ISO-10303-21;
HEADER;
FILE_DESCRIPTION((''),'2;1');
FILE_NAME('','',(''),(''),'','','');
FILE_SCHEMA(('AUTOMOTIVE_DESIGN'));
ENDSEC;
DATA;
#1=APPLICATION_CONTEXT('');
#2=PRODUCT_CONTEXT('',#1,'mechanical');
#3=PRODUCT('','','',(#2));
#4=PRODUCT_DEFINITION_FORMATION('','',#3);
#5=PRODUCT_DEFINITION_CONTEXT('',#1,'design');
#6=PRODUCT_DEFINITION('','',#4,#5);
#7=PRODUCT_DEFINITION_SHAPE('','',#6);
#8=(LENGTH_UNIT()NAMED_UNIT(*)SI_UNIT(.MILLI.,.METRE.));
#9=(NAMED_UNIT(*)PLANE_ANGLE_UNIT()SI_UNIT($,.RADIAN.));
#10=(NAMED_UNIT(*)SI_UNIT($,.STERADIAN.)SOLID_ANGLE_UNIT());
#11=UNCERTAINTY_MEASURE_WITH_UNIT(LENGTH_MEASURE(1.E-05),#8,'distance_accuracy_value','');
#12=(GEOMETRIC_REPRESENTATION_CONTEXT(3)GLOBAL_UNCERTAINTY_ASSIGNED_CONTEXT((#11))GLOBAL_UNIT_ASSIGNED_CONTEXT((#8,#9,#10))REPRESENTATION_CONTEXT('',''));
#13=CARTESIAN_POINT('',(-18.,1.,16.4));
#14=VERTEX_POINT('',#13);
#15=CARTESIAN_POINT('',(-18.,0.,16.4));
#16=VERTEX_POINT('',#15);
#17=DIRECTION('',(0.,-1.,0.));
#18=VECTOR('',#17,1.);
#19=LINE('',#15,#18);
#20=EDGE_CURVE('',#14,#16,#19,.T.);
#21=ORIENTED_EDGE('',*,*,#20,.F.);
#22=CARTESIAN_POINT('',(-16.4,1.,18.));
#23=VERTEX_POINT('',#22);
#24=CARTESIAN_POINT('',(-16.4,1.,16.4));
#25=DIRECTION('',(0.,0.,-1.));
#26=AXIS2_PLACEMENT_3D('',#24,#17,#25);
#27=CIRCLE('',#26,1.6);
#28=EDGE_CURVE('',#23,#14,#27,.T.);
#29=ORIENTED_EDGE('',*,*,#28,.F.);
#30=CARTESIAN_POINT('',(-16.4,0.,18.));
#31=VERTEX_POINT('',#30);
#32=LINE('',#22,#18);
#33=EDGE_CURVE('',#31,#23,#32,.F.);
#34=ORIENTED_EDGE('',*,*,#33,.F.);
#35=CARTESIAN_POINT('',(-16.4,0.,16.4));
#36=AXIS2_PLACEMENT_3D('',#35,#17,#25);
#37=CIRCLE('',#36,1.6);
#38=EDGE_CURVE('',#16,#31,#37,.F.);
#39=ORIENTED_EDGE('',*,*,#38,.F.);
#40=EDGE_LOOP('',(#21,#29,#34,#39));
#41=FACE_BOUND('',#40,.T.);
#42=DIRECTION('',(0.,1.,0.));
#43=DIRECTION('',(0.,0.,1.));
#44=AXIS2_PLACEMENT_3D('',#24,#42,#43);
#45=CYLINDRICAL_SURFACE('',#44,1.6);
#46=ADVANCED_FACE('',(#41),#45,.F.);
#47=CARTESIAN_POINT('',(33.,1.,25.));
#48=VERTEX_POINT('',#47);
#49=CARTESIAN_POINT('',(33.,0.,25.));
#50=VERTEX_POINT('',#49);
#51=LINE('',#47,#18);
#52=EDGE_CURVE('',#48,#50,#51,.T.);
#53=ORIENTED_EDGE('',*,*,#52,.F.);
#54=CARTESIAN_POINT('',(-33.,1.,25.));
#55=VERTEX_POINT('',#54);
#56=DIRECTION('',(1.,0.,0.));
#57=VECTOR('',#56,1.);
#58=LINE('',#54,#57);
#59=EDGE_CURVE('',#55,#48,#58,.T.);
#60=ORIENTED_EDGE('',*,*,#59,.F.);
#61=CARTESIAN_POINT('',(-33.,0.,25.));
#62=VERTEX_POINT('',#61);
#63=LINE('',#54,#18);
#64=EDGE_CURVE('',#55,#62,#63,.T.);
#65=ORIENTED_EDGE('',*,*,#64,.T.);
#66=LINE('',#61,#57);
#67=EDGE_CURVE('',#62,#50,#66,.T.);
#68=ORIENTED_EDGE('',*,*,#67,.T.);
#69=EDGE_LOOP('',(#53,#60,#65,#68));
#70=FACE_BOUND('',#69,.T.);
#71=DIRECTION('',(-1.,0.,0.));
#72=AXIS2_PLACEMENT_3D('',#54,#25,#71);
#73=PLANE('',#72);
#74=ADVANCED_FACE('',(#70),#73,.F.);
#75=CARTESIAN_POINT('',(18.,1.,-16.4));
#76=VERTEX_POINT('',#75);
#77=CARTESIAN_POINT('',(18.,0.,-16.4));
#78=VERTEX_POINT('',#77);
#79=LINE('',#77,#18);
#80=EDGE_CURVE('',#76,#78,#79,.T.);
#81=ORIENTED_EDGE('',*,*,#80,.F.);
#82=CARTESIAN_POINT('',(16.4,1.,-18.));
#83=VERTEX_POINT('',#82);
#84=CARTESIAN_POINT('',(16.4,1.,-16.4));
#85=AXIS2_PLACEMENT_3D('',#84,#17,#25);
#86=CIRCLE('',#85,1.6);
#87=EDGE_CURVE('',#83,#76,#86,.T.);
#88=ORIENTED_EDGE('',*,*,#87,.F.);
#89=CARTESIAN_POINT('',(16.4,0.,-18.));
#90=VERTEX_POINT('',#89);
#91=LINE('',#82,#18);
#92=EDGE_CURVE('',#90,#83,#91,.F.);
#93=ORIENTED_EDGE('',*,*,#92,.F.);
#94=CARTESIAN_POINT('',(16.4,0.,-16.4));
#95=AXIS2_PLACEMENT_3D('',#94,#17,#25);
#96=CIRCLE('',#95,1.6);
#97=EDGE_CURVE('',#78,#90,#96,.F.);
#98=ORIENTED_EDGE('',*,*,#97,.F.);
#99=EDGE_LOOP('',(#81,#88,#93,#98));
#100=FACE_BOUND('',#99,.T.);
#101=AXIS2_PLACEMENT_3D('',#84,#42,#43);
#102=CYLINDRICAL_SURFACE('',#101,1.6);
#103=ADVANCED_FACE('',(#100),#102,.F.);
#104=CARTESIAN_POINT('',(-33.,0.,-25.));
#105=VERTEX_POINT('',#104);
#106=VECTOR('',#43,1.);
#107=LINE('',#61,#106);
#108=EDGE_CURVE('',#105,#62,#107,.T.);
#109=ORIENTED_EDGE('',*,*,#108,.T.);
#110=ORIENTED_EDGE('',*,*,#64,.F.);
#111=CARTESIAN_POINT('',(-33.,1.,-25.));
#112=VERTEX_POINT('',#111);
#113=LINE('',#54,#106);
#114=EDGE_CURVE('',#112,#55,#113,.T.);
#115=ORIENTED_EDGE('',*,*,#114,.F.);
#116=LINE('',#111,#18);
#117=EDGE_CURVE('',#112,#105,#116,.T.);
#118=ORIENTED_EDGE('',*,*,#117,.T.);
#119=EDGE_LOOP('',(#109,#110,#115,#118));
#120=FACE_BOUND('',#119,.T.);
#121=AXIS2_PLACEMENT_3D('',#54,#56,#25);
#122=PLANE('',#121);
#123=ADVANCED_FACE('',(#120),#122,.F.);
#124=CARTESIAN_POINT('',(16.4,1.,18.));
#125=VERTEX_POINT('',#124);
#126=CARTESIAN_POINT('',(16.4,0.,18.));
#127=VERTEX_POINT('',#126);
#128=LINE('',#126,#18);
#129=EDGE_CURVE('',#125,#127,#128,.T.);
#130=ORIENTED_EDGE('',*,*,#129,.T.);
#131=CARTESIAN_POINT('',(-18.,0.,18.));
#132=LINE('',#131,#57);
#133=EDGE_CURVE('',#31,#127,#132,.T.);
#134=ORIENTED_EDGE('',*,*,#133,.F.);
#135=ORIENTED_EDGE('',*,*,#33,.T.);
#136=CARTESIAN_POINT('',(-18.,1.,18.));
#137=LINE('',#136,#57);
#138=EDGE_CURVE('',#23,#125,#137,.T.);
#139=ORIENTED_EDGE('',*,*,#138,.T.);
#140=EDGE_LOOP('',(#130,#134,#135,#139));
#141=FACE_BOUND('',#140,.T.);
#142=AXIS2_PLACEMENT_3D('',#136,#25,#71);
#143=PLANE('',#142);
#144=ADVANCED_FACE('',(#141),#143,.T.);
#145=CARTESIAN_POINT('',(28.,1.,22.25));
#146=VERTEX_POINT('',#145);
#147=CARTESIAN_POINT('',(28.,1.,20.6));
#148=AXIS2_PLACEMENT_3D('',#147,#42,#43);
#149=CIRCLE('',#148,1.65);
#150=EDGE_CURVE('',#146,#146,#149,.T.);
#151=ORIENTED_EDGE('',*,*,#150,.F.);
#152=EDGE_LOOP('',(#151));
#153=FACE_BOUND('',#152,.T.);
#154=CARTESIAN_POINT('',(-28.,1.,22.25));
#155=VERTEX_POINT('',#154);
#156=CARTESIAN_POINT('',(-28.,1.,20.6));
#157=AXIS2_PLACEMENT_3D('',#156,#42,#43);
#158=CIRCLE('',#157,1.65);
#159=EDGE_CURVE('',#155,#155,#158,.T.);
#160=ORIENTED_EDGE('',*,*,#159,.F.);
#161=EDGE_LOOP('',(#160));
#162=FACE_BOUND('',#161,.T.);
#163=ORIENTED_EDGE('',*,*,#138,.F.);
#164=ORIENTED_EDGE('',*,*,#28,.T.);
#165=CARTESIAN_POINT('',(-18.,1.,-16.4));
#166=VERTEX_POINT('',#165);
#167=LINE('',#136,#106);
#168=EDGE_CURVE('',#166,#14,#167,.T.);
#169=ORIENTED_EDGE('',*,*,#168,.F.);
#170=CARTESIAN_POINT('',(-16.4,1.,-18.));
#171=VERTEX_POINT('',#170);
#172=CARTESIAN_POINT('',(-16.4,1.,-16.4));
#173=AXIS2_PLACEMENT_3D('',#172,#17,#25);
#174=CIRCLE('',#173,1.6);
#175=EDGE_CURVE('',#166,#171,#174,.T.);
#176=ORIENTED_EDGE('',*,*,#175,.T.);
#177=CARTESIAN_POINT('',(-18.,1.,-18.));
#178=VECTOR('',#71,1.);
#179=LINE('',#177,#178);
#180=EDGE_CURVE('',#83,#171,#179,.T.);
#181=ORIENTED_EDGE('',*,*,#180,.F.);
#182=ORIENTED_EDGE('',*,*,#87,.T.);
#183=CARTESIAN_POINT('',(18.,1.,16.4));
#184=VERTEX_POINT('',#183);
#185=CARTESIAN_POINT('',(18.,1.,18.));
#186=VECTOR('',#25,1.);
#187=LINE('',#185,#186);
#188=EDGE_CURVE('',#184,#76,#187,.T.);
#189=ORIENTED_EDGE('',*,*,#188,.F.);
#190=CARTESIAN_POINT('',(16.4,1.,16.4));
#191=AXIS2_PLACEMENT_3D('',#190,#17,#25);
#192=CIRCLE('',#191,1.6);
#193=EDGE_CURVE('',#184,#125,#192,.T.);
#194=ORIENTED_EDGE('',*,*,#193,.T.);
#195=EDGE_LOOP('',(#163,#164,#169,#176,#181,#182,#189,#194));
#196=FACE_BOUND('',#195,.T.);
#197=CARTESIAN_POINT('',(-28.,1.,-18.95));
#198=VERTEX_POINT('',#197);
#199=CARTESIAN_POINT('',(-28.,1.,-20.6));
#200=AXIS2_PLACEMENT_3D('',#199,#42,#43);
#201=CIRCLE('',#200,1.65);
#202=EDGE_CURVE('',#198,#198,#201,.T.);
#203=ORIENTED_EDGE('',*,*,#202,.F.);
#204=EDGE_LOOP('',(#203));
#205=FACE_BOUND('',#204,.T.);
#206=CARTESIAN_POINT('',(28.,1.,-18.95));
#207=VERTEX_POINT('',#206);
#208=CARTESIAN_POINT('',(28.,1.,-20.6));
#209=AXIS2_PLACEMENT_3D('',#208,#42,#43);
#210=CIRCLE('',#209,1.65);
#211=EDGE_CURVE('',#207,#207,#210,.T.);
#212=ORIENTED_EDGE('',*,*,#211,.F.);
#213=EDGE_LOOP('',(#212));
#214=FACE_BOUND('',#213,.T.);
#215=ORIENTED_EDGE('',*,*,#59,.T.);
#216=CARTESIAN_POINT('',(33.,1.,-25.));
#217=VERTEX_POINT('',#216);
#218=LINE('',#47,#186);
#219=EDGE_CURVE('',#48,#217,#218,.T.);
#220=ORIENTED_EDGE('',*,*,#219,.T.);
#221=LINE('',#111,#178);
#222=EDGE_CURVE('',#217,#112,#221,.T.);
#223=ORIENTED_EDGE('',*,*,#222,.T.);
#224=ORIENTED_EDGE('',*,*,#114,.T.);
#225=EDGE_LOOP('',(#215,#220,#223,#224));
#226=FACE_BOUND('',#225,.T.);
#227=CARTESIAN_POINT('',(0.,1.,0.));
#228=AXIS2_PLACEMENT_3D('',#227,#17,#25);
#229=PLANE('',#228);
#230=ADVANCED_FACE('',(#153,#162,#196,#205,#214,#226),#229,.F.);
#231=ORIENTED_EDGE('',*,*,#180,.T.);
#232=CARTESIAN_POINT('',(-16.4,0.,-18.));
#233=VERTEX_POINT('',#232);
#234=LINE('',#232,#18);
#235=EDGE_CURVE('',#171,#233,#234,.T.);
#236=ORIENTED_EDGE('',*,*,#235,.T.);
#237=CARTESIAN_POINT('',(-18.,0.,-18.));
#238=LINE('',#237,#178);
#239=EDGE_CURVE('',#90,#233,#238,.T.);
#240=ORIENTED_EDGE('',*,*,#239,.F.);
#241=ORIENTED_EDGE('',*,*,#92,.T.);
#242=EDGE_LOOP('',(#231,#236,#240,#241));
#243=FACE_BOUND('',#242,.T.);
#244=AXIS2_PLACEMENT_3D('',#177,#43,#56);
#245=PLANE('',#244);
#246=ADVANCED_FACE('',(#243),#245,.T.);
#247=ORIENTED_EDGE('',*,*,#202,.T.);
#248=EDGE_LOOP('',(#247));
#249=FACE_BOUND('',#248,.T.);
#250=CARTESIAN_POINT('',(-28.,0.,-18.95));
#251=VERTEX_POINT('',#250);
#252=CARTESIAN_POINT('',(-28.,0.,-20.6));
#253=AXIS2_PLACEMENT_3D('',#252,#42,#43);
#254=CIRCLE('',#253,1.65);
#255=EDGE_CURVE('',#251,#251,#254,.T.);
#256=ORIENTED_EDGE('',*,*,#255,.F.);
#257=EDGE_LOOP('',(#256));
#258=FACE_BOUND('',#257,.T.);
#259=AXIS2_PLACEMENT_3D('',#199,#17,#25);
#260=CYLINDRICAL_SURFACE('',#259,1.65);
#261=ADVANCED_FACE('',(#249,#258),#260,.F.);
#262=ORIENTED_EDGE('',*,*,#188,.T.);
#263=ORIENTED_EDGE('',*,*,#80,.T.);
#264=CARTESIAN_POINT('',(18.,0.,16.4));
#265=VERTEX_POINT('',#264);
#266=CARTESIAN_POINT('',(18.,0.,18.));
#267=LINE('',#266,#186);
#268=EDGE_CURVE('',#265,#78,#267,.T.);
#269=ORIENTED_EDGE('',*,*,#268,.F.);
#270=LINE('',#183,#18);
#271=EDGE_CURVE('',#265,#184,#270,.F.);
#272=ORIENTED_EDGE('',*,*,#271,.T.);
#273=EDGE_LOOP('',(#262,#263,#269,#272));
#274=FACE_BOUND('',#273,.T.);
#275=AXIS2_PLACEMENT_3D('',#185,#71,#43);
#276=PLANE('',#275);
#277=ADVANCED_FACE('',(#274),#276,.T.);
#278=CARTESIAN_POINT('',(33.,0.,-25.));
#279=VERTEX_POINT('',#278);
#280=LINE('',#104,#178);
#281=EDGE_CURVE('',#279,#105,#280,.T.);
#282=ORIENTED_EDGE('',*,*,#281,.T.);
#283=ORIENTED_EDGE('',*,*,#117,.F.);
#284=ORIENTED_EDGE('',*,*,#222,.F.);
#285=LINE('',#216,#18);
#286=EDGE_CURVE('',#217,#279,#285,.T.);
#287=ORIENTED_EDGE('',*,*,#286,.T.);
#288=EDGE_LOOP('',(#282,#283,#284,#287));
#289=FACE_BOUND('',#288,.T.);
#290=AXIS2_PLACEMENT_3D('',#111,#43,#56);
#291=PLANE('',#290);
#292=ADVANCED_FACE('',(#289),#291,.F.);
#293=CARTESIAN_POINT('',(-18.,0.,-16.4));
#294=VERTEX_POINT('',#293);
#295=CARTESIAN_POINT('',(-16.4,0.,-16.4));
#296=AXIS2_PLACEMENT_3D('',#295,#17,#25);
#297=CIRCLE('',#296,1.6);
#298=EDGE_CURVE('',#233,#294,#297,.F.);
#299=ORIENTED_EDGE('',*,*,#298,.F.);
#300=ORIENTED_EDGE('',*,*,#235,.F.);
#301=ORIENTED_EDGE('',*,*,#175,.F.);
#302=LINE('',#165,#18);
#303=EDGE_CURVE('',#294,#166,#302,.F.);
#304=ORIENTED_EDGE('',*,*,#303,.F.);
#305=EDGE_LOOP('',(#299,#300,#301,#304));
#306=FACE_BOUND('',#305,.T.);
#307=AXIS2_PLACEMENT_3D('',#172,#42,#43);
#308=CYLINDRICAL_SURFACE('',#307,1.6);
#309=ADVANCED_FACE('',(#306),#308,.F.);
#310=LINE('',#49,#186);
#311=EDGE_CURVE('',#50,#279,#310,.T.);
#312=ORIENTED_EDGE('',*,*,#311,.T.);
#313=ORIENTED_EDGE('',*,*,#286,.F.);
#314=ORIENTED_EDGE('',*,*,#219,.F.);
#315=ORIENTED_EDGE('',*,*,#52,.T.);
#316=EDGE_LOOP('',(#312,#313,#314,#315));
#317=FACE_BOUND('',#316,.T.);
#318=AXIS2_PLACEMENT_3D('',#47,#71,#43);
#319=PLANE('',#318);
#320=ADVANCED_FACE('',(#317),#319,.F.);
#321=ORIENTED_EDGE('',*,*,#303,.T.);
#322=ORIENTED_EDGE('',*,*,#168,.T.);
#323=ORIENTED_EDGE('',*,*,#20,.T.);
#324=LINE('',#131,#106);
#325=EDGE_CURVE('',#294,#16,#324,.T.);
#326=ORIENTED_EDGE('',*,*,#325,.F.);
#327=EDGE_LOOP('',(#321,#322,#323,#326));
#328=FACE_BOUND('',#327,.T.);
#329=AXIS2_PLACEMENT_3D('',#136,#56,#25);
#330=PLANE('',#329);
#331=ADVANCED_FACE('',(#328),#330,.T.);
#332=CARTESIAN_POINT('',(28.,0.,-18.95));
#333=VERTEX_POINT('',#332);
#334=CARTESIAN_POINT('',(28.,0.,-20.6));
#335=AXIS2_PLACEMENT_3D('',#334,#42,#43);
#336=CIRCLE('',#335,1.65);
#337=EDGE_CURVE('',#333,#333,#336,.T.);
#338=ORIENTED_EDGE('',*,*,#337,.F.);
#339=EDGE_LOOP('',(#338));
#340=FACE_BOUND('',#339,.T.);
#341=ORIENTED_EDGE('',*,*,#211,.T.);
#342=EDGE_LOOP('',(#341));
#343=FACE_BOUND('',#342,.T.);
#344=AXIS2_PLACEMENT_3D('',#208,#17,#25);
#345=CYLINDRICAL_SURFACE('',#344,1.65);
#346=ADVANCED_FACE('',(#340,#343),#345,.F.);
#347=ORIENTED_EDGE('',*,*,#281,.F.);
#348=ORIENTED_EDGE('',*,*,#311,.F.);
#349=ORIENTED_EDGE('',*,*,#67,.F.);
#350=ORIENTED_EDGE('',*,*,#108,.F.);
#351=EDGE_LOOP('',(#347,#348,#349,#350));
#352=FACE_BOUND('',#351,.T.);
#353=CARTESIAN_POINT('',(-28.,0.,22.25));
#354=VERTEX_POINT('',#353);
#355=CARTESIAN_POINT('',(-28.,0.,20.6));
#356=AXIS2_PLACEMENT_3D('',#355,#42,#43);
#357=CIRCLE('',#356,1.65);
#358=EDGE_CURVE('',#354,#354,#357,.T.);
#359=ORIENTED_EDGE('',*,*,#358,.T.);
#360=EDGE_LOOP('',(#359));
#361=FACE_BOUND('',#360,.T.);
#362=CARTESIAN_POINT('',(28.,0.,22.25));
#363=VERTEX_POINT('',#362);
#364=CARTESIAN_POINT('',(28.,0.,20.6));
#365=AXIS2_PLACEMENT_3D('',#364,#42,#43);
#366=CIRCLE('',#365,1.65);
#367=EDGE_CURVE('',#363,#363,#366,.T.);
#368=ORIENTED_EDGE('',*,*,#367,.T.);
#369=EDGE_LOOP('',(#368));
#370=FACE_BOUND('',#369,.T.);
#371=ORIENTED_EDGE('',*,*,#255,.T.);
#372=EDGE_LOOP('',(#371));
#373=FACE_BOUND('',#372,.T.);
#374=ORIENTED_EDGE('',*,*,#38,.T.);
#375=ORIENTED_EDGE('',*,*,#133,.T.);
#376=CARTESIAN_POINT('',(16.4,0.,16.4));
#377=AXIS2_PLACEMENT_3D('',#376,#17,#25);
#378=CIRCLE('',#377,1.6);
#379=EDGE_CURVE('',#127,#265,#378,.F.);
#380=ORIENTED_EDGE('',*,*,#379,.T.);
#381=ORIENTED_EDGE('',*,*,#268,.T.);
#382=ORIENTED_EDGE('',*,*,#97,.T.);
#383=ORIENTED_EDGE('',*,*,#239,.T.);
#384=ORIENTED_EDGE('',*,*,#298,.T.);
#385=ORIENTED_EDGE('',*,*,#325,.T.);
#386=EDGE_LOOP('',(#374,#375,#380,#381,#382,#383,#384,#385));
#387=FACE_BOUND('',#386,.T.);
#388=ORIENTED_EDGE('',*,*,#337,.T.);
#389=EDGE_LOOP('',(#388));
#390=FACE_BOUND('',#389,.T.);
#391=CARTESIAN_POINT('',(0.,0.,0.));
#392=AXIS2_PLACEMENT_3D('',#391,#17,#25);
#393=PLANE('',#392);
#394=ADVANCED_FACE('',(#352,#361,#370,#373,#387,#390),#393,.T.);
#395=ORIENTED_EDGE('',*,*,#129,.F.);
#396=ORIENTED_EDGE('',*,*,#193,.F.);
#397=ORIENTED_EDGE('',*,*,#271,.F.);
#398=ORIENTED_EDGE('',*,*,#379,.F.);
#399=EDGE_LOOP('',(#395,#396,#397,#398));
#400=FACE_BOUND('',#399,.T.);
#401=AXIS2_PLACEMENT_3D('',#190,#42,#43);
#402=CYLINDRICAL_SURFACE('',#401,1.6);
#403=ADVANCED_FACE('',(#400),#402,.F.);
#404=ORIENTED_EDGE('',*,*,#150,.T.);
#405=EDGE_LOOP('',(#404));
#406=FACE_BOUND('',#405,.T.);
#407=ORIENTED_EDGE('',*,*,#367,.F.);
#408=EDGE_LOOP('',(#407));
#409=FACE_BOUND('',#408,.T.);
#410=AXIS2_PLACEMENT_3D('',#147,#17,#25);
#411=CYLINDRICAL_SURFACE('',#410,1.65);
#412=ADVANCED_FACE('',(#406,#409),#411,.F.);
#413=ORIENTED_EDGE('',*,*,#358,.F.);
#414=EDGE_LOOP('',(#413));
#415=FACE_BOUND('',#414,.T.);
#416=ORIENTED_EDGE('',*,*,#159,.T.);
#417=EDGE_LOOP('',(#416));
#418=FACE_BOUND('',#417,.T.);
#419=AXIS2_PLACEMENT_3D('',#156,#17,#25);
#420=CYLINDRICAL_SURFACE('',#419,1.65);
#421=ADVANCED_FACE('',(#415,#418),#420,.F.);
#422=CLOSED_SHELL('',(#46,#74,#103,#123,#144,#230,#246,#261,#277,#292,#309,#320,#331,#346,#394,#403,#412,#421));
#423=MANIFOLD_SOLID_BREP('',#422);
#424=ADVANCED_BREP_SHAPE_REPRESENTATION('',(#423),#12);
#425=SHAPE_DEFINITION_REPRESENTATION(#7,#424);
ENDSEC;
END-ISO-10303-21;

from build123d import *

# Parameters (mm, degrees)
SKETCH1_W           = 66
SKETCH1_H           = 50
SKETCH1_R           = 1.65
SKETCH1_W_2         = 36
SKETCH1_H_2         = 36
BOSS_EXTRUDE1_DEPTH = 1
FILLET1_R           = 1.6


with BuildPart() as part:
    # Sketch1 → Boss-Extrude1 (new body)
    with BuildSketch(Plane(origin=(0, 0, 0), x_dir=(1, 0, 0), z_dir=(0, 1, 0))):
        Rectangle(SKETCH1_W, SKETCH1_H)
        with Locations((-28, 20.6)):
            Circle(SKETCH1_R, mode=Mode.SUBTRACT)
        with Locations((-28, -20.6)):
            Circle(SKETCH1_R, mode=Mode.SUBTRACT)
        with Locations((28, 20.6)):
            Circle(SKETCH1_R, mode=Mode.SUBTRACT)
        with Locations((28, -20.6)):
            Circle(SKETCH1_R, mode=Mode.SUBTRACT)
        Rectangle(SKETCH1_W_2, SKETCH1_H_2, mode=Mode.SUBTRACT)
    extrude(amount=BOSS_EXTRUDE1_DEPTH)

    # Fillet1
    fillet1_edges = [part.edges().sort_by_distance(p)[0] for p in [
        (18, 0.5, 18),
        (18, 0.5, -18),
        (-18, 0.5, -18),
        (-18, 0.5, 18),
    ]]
    fillet(fillet1_edges, radius=FILLET1_R)


solid = part.part
